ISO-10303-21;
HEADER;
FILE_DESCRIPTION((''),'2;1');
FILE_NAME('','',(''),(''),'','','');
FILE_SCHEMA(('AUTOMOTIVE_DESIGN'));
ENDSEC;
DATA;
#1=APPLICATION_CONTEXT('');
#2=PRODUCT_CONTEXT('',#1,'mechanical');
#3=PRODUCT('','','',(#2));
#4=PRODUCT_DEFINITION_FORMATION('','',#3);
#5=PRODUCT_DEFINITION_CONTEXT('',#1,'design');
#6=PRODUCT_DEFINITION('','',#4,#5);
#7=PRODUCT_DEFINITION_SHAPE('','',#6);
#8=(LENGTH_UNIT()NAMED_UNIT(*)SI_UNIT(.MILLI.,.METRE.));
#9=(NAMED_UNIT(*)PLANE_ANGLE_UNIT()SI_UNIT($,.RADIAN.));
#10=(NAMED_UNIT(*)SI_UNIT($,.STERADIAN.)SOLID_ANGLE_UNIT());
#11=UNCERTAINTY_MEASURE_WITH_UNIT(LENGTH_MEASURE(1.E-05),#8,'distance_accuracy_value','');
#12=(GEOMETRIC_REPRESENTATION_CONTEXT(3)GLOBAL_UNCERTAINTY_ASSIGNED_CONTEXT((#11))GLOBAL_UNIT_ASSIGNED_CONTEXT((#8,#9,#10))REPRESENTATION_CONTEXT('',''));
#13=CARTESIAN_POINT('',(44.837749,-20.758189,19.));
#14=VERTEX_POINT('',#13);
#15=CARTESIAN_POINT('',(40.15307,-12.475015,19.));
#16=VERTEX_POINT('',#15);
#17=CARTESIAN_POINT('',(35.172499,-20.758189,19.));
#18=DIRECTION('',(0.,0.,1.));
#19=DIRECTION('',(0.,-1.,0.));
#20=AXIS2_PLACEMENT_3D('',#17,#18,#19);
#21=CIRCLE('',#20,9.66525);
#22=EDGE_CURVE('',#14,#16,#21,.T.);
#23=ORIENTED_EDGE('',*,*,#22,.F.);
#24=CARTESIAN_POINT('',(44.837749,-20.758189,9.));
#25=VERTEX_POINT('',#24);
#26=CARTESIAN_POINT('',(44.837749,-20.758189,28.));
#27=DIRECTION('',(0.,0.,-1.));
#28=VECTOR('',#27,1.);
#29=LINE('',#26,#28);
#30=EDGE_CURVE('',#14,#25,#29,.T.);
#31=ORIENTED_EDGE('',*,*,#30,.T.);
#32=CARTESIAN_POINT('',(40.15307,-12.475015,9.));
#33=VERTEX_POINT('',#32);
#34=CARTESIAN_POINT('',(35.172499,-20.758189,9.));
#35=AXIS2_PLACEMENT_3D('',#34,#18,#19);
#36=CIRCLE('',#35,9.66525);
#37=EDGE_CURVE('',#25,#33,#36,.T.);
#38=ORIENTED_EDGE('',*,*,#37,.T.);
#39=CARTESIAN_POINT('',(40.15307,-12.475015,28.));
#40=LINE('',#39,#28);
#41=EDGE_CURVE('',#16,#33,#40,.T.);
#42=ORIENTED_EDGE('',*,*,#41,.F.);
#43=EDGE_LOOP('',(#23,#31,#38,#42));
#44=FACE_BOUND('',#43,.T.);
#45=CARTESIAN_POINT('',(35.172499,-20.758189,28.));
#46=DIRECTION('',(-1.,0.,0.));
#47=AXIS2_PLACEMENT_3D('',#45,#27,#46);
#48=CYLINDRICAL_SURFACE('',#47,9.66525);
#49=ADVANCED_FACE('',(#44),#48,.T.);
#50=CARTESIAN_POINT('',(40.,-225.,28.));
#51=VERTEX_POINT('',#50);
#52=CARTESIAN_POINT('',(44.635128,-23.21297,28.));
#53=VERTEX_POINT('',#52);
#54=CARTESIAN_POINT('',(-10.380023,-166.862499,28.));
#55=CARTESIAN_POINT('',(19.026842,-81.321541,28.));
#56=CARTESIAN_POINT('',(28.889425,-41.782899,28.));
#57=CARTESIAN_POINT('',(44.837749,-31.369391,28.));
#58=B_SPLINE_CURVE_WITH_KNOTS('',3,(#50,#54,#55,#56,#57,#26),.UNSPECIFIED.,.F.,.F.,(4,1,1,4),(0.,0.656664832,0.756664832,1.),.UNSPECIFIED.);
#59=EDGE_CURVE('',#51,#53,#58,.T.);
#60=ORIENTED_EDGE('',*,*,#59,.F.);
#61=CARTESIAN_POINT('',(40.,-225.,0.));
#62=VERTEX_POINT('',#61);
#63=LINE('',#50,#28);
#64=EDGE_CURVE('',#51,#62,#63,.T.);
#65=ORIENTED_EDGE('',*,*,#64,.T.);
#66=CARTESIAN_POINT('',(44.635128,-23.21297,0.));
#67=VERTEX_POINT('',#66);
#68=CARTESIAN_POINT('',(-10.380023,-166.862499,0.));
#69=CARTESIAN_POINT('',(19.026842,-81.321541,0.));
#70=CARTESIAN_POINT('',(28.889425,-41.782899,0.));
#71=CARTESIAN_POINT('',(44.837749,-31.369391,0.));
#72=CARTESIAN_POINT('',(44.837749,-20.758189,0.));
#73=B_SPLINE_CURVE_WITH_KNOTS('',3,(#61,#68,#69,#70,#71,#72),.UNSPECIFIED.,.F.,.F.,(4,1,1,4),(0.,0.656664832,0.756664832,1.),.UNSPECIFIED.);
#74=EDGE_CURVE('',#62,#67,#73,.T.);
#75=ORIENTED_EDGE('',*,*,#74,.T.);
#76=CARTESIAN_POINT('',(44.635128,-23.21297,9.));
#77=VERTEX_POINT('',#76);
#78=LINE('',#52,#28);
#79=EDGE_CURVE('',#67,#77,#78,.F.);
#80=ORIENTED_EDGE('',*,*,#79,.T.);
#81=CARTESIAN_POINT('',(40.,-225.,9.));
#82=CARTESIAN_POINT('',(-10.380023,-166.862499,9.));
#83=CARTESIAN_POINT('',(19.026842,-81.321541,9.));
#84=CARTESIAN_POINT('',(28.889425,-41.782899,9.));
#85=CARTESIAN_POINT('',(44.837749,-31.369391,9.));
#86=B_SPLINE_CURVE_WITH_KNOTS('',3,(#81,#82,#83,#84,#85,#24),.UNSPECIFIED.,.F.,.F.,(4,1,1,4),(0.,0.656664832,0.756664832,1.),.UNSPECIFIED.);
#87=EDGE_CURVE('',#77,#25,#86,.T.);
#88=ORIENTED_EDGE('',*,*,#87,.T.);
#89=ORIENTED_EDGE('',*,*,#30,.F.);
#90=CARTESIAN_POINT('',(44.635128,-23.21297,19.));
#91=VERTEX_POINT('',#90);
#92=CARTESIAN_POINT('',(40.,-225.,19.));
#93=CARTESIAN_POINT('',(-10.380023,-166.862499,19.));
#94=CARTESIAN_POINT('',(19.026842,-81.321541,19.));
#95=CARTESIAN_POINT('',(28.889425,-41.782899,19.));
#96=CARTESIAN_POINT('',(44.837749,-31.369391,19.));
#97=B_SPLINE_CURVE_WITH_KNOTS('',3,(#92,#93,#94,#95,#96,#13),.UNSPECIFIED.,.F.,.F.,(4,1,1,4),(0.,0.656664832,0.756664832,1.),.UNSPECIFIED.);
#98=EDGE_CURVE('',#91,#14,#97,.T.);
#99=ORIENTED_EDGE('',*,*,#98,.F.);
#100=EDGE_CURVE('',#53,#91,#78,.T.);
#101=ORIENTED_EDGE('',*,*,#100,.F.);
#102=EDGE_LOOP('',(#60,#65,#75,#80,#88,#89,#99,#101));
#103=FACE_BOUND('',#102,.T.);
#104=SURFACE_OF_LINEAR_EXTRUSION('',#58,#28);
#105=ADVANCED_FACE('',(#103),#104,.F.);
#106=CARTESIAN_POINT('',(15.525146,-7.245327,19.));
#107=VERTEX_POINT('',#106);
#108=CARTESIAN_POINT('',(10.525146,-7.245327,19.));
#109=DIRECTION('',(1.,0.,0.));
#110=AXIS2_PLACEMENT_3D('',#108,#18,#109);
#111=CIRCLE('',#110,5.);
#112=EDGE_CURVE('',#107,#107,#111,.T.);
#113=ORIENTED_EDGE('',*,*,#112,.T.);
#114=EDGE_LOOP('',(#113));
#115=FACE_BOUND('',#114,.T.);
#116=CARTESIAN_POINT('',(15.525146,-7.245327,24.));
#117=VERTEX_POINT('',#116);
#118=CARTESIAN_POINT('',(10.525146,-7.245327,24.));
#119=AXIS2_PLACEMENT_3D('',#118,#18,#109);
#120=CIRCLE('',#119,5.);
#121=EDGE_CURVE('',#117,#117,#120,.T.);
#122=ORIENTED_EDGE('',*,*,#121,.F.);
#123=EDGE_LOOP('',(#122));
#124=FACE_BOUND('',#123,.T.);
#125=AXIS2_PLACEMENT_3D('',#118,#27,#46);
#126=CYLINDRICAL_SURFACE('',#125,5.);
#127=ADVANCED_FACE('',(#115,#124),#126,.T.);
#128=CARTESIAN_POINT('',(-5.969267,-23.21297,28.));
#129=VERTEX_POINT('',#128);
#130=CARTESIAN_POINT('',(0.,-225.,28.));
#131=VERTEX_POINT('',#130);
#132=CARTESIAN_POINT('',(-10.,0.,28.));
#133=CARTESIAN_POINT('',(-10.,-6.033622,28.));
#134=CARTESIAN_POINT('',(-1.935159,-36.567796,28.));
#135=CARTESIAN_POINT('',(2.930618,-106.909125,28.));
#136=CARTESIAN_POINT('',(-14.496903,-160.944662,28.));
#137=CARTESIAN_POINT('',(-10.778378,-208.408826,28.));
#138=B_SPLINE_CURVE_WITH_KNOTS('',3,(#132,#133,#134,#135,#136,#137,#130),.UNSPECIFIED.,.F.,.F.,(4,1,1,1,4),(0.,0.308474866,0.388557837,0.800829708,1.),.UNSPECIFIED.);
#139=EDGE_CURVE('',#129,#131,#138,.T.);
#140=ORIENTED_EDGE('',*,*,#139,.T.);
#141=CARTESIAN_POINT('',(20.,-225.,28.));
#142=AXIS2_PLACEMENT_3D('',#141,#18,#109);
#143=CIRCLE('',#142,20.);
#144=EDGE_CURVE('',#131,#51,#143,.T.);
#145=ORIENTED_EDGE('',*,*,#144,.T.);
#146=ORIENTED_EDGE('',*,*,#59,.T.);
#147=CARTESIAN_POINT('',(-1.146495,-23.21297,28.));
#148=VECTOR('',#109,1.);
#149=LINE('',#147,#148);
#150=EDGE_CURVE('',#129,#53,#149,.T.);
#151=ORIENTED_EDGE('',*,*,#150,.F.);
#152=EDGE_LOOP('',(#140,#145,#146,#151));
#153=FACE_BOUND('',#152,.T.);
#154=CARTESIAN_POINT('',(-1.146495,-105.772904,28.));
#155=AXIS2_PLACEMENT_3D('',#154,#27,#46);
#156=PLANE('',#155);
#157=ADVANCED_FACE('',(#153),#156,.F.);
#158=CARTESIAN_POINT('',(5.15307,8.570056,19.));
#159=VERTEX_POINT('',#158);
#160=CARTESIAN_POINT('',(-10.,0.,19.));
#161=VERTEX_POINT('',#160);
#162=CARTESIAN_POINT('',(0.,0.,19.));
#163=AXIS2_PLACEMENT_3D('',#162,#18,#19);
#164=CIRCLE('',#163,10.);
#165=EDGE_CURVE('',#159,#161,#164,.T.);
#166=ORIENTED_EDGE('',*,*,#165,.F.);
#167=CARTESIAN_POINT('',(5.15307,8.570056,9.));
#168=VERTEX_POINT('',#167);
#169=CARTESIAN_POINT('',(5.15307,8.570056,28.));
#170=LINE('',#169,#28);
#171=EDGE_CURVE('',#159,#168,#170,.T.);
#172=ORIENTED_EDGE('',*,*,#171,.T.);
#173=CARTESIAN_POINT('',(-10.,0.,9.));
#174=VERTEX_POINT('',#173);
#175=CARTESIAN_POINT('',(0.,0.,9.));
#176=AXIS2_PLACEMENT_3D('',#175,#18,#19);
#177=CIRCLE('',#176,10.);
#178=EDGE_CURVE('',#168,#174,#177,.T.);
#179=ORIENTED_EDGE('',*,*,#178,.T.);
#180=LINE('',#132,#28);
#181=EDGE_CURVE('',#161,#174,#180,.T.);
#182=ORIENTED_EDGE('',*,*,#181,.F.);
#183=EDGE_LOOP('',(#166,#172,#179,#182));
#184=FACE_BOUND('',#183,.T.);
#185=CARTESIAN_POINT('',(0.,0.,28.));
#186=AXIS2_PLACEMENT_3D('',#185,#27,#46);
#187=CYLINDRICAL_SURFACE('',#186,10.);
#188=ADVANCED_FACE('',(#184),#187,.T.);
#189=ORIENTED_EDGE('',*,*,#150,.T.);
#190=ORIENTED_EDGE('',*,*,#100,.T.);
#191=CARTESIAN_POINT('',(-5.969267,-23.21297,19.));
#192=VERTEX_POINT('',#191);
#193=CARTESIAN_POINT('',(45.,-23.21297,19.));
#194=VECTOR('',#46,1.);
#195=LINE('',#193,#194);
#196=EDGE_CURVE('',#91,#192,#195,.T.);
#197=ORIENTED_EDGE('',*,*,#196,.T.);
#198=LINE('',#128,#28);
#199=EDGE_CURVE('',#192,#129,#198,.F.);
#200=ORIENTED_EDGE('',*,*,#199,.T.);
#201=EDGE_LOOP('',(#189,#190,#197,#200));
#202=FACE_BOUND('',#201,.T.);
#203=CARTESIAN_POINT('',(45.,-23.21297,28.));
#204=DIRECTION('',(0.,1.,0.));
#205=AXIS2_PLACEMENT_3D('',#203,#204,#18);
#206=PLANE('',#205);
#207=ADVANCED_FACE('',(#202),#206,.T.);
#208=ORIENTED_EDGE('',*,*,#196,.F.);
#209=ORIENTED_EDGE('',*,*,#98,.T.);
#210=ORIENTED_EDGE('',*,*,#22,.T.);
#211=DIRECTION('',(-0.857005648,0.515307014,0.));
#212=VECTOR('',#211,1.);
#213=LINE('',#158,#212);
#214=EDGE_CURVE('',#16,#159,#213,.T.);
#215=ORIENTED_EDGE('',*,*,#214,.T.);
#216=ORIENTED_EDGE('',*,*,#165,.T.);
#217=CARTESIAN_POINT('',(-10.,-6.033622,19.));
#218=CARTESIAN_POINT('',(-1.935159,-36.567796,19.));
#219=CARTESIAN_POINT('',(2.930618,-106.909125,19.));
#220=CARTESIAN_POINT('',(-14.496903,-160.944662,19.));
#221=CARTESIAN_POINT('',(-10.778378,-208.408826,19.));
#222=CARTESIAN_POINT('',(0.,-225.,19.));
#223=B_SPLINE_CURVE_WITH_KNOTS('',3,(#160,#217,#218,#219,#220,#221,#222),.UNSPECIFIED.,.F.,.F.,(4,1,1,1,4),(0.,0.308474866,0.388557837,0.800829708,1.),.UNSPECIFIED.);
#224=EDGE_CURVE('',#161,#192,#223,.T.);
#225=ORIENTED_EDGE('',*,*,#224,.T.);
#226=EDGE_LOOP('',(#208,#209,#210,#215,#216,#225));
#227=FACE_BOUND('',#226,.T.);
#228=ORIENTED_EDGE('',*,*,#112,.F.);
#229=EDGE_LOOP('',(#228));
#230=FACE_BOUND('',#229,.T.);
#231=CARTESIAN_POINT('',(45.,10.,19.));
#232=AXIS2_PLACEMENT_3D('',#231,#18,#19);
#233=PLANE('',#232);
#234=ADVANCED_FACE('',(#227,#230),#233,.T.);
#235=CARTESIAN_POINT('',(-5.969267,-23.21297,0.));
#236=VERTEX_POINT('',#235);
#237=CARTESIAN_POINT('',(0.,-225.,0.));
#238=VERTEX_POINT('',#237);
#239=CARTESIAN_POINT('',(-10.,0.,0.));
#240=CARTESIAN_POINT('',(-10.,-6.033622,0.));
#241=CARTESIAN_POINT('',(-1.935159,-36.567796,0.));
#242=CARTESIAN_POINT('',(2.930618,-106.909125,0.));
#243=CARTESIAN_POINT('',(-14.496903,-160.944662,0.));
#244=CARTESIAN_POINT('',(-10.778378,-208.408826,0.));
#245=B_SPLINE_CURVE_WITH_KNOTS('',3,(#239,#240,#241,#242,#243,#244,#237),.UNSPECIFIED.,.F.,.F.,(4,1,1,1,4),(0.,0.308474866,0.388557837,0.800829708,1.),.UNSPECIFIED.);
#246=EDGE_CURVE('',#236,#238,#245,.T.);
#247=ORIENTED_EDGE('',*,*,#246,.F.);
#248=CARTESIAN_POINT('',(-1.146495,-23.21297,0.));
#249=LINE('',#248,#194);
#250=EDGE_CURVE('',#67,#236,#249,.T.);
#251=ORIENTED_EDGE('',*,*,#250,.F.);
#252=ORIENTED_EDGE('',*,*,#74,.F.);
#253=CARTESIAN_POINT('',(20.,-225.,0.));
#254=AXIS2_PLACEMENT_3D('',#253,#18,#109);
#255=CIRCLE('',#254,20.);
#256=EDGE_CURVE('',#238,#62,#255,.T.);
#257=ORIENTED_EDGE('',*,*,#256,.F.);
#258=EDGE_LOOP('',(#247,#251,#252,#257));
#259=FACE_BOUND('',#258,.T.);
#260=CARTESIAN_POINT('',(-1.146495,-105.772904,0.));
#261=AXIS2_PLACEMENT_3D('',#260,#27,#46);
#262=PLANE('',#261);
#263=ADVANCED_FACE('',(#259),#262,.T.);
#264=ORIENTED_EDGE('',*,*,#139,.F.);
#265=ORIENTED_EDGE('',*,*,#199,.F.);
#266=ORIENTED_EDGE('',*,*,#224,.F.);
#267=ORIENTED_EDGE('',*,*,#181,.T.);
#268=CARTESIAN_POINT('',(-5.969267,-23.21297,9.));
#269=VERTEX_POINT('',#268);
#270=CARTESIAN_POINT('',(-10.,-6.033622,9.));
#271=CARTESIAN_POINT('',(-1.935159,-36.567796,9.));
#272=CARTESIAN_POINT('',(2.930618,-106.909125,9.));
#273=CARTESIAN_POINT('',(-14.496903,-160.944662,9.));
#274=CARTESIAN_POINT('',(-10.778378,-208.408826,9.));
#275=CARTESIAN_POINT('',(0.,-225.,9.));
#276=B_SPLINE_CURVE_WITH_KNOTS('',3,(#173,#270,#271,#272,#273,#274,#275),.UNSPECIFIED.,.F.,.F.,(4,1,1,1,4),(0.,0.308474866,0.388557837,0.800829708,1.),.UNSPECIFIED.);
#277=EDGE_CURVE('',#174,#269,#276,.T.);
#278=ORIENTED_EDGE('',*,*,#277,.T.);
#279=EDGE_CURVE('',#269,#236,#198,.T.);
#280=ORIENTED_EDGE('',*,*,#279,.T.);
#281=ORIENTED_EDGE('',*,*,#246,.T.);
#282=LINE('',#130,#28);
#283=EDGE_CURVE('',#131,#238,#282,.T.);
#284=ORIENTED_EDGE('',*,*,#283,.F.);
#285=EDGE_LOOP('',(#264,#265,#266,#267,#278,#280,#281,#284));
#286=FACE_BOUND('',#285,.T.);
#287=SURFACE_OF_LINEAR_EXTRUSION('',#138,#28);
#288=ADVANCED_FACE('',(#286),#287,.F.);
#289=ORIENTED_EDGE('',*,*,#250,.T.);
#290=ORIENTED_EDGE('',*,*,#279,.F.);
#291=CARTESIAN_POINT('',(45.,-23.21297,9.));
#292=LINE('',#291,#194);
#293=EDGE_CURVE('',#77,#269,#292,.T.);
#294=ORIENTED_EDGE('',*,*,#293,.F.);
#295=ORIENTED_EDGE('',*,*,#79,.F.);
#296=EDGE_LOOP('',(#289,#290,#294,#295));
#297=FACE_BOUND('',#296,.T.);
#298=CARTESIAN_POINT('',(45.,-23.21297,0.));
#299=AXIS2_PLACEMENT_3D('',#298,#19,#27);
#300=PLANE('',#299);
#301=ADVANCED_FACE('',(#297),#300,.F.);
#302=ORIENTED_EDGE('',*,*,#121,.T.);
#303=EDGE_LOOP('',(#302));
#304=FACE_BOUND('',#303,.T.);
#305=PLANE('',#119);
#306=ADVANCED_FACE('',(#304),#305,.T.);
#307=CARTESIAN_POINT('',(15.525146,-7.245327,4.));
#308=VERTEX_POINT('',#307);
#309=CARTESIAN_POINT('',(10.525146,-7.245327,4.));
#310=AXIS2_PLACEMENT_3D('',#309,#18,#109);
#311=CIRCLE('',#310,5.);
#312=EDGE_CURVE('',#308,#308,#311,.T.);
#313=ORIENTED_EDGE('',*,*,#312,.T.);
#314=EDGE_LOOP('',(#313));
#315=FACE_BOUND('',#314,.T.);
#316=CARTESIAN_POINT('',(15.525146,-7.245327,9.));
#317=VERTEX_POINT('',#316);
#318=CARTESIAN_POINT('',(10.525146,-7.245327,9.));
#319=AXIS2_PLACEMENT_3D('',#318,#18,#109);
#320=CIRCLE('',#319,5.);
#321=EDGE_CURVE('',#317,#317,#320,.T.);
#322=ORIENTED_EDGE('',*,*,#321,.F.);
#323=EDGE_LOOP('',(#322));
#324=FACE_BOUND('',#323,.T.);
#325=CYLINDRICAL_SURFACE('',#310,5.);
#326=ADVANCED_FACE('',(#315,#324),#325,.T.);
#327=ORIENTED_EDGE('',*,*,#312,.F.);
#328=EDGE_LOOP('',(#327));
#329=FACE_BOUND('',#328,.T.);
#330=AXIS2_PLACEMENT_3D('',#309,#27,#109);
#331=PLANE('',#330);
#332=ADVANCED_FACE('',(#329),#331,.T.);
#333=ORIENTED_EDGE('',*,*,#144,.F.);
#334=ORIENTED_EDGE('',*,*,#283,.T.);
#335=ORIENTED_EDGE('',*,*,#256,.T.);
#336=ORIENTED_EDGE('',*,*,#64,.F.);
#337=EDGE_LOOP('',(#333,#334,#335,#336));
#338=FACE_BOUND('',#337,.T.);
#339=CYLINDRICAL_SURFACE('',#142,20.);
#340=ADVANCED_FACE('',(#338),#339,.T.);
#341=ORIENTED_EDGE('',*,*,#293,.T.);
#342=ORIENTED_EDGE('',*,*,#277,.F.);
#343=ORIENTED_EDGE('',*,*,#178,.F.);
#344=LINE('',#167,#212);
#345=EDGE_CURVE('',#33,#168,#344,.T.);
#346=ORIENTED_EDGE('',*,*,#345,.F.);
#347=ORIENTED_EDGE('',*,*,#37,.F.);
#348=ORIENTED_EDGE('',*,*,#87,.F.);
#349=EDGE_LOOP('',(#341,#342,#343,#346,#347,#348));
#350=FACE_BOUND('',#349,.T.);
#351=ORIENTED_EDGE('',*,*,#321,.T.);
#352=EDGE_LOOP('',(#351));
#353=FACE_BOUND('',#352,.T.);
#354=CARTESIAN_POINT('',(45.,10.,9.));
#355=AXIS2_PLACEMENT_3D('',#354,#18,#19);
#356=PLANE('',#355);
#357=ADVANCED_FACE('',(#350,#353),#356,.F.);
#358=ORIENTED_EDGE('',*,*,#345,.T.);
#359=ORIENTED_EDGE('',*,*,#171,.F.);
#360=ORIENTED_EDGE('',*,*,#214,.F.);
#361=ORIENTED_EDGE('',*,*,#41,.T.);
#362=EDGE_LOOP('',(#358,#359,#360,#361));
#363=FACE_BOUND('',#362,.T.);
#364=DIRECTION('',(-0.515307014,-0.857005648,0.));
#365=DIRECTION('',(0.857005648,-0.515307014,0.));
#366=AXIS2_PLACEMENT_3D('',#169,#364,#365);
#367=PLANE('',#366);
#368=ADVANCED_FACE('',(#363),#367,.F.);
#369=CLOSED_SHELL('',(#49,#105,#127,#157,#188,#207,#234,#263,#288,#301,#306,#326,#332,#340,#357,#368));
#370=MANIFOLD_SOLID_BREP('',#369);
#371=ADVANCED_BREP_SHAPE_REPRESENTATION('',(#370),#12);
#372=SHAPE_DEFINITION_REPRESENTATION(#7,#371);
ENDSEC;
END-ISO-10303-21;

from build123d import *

# Parameters (mm, degrees)
BOSS_EXTRUDE1_DEPTH = 28
SKETCH4_W           = 20
SKETCH4_H           = 28
REVOLVE2_ANGLE      = 180
SKETCH8_W           = 9
SKETCH8_H           = 33.21296959
CUT_EXTRUDE1_DEPTH  = 45
SKETCH9_R           = 5
BOSS_EXTRUDE2_DEPTH = 5


with BuildPart() as part:
    # Sketch1 → Boss-Extrude1 (new body)
    with BuildSketch(Plane.XY):
        with BuildLine():
            Line((0, -225), (40, -225))
            add(Edge.make_bspline(
                [(44.837749122, -20.758189433), (44.837749122, -31.369390936), (28.889425137, -41.782899382), (19.026841833, -81.321540561), (-10.380022908, -166.862499306), (40, -225)],
                knots=[0, 0, 0, 0, 0.243335168, 0.343335168, 1, 1, 1, 1], degree=3))
            ThreePointArc((44.837749122, -20.758189433), (43.585451091, -16.000112379), (40.153070139, -12.475015414))
            Line((40.153070139, -12.475015414), (5.153070139, 8.570056484))
            ThreePointArc((5.153070139, 8.570056484), (-4.922870027, 8.704329423), (-10, 0))
            add(Edge.make_bspline(
                [(-10, 0), (-10, -6.033622411), (-1.935159008, -36.567795894), (2.930618137, -106.909125291), (-14.496902926, -160.944662091), (-10.77837774, -208.408825579), (0, -225)],
                knots=[0, 0, 0, 0, 0.308474866, 0.388557837, 0.800829708, 1, 1, 1, 1], degree=3))
        make_face()
    extrude(amount=BOSS_EXTRUDE1_DEPTH)

    # Sketch4 → Revolve2 (revolve)
    with BuildSketch(Plane.XZ.offset(225)):
        with Locations((30, 14)):
            Rectangle(SKETCH4_W, SKETCH4_H)
    revolve(axis=Axis((20, -225, 28), (0, 0, -1)), revolution_arc=REVOLVE2_ANGLE)

    # Sketch8 → Cut-Extrude1 (cut, symmetric)
    with BuildSketch(Plane(origin=(0, 0, 0), x_dir=(0, 0, -1), z_dir=(1, 0, 0))):
        with Locations((-23.5, -6.606484795)):
            Rectangle(SKETCH8_W, SKETCH8_H)
    cut_extrude1 = extrude(amount=CUT_EXTRUDE1_DEPTH, both=True, mode=Mode.SUBTRACT)

    # Mirror1: Cut-Extrude1 across plane
    add(cut_extrude1.mirror(Plane.XY.offset(14)), mode=Mode.SUBTRACT)

    # Sketch9 → Boss-Extrude2 (add)
    with BuildSketch(Plane.XY.offset(19)):
        with Locations((10.525146493, -7.245327121)):
            Circle(SKETCH9_R)
    boss_extrude2 = extrude(amount=BOSS_EXTRUDE2_DEPTH)

    # Mirror2: Boss-Extrude2 across plane
    add(boss_extrude2.mirror(Plane.XY.offset(14)))


solid = part.part
